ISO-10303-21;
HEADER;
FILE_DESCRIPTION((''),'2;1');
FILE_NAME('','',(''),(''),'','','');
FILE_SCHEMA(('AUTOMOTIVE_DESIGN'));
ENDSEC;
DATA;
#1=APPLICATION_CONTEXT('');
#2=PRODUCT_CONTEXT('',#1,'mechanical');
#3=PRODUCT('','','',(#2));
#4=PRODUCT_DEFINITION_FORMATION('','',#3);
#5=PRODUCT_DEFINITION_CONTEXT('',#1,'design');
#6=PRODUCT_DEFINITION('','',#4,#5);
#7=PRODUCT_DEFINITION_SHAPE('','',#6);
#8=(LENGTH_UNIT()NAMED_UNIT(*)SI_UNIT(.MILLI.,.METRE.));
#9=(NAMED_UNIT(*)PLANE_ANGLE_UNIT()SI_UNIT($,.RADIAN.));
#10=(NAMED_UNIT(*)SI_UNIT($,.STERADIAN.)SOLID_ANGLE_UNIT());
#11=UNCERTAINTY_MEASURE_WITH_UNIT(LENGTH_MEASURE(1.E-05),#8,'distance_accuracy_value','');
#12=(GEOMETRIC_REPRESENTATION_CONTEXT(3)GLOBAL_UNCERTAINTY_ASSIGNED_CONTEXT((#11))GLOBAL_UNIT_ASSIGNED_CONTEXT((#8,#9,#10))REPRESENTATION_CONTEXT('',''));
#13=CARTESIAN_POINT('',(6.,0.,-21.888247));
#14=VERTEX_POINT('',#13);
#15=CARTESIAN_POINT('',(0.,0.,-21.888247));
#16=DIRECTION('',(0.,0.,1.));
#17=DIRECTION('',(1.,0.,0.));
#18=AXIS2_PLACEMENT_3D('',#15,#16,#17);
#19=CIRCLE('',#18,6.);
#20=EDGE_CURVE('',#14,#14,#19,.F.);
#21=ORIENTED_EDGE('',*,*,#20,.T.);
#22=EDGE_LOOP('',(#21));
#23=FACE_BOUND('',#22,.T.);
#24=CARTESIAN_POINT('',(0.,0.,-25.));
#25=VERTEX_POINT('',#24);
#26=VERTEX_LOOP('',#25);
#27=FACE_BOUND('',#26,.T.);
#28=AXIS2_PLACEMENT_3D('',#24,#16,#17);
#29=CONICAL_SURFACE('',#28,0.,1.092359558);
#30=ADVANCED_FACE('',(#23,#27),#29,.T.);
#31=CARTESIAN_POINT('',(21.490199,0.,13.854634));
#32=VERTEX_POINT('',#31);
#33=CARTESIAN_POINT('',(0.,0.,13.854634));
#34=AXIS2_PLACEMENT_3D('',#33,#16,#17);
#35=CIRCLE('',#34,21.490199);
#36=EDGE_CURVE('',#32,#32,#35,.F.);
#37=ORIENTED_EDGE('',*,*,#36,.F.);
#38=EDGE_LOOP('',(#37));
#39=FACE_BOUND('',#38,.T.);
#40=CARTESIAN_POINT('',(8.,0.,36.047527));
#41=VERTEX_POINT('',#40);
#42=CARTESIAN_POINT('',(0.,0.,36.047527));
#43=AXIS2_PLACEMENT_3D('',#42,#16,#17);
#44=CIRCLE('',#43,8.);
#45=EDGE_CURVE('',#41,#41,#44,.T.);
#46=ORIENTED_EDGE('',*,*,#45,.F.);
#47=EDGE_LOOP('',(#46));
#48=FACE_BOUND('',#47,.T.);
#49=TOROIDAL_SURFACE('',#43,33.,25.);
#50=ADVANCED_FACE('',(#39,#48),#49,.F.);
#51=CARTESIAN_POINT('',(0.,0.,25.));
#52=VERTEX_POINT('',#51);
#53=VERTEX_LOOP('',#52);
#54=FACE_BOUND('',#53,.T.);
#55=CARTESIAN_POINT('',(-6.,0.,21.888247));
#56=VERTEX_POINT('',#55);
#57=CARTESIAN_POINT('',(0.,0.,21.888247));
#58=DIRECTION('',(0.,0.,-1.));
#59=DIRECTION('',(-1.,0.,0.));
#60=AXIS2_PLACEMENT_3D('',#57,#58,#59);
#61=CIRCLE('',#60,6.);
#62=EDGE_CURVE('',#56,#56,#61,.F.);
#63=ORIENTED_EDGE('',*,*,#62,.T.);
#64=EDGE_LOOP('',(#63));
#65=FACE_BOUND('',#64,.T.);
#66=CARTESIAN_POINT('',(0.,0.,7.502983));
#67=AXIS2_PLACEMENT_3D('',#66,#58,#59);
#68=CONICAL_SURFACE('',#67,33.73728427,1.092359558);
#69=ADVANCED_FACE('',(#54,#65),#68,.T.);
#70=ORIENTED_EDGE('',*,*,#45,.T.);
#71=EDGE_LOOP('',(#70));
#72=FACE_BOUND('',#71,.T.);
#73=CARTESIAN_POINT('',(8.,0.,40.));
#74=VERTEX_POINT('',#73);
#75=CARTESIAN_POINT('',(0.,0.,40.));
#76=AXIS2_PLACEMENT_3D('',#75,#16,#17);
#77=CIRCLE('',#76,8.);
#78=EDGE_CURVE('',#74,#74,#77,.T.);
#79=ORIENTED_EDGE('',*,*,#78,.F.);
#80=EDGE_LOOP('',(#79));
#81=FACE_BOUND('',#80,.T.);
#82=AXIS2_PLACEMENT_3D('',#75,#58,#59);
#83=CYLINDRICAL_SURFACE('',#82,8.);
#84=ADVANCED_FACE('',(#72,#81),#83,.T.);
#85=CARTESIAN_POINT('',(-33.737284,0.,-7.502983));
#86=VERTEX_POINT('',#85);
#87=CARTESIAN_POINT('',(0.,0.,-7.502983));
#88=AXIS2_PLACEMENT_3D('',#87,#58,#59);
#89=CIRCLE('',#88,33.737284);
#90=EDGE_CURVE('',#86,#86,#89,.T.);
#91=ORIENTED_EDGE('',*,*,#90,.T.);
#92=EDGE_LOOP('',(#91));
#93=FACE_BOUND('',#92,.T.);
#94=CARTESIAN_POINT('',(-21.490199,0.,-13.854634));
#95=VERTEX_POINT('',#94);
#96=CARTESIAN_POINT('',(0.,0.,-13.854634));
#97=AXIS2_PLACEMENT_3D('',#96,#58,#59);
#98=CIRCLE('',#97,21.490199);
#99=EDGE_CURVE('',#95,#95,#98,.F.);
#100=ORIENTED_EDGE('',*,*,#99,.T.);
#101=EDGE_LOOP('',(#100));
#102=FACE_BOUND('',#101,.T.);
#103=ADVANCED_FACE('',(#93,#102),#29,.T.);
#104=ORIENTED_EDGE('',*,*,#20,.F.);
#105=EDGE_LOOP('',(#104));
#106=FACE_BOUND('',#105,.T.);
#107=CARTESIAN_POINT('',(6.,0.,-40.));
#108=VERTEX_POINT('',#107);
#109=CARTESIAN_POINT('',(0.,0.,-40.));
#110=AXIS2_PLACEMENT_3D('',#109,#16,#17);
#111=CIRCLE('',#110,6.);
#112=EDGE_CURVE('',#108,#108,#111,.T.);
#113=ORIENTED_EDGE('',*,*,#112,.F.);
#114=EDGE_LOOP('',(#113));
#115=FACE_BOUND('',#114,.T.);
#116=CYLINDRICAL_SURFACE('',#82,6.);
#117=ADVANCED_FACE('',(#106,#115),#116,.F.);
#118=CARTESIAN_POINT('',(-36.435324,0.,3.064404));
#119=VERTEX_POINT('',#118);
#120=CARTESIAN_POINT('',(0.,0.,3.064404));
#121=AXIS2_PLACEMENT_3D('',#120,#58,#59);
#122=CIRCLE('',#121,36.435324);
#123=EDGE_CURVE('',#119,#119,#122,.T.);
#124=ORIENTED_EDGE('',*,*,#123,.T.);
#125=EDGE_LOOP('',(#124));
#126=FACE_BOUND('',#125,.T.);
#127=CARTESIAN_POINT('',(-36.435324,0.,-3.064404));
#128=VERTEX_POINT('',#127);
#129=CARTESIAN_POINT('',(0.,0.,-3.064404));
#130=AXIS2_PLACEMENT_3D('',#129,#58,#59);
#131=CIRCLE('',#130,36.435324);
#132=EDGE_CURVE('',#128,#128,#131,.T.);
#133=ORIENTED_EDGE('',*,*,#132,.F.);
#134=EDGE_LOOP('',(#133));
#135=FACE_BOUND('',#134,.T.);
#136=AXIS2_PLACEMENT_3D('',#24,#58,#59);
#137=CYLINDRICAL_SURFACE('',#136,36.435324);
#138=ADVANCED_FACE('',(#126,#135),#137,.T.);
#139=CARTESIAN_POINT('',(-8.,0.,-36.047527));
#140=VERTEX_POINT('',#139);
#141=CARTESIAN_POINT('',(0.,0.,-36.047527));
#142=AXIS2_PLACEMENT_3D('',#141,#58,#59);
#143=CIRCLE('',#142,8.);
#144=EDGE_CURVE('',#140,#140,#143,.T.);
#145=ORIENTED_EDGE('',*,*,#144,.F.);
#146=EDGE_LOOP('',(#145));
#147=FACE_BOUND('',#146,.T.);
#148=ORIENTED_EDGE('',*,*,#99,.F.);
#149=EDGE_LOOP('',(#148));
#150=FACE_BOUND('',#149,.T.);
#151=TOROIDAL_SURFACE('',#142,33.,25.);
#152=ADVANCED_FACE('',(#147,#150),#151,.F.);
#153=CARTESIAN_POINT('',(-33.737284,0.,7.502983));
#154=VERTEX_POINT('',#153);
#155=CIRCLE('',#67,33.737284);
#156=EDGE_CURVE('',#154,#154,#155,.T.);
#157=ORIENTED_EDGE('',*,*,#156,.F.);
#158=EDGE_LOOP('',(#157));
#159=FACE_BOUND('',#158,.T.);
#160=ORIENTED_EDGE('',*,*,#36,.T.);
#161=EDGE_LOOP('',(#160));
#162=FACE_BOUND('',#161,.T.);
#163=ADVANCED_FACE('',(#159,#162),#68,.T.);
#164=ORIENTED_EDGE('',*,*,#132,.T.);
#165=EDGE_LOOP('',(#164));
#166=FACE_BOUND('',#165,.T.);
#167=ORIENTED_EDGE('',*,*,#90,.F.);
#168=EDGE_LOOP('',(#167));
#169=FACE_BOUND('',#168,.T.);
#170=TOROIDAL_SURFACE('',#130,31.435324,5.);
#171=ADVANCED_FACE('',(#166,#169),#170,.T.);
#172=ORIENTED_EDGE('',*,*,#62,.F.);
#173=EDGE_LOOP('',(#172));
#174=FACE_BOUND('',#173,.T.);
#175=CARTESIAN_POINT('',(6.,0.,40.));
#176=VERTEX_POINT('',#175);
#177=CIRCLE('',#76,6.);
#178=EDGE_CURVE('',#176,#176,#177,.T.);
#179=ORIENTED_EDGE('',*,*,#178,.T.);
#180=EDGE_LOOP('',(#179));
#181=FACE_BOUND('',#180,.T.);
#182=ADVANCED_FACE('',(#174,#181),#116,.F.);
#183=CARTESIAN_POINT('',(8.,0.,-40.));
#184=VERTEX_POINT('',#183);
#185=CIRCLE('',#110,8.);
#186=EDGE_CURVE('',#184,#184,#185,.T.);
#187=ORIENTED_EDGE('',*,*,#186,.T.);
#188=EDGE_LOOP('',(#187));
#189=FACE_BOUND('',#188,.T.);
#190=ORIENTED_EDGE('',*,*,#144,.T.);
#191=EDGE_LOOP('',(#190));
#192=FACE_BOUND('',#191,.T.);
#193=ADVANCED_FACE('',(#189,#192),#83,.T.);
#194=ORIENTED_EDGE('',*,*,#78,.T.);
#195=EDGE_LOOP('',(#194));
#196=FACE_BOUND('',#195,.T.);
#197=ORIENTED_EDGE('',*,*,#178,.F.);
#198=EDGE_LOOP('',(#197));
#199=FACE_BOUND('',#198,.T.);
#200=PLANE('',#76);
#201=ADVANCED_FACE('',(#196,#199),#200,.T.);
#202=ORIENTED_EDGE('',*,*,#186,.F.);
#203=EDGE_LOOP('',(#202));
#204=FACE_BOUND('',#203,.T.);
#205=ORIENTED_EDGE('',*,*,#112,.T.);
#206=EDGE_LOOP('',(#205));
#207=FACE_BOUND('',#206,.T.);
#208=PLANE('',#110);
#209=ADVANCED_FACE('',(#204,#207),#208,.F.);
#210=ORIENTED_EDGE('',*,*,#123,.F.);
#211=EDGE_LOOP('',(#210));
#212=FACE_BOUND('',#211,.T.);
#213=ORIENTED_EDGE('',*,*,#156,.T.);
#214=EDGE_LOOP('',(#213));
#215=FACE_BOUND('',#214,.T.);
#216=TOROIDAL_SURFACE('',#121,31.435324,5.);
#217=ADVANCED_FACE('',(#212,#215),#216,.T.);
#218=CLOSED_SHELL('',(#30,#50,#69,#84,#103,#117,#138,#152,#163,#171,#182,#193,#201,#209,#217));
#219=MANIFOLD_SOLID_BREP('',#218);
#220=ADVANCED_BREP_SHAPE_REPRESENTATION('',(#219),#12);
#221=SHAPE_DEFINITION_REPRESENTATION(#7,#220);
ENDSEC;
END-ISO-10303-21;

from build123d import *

# Parameters (mm, degrees)
SKETCH1_R           = 8
SKETCH1_R_2         = 6
BOSS_EXTRUDE1_DEPTH = 40
FILLET1_R           = 25


with BuildPart() as part:
    # Sketch1 → Boss-Extrude1 (new, symmetric)
    with BuildSketch(Plane.XY):
        Circle(SKETCH1_R)
        Circle(SKETCH1_R_2, mode=Mode.SUBTRACT)
    extrude(amount=BOSS_EXTRUDE1_DEPTH, both=True)

    # Sketch2 → Revolve1 (revolve)
    with BuildSketch(Plane(origin=(0, 0, 0), x_dir=(0, 0, -1), z_dir=(1, 0, 0)), mode=Mode.PRIVATE) as revolve1_sk:
        with BuildLine():
            Line((-25, 0), (-7.502982863, 33.73728427))
            ThreePointArc((-7.502982863, 33.73728427), (-5.661537285, 35.707899486), (-3.064404332, 36.4353241))
            Line((-3.064404332, 36.4353241), (3.064404332, 36.4353241))
            ThreePointArc((3.064404332, 36.4353241), (5.661537285, 35.707899486), (7.502982863, 33.73728427))
            Line((7.502982863, 33.73728427), (25, 0))
            Line((25, 0), (-25, 0))
        make_face()
    revolve(revolve1_sk.sketch.rotate(Axis((0, 0, -25), (0, 0, 1)), 90), axis=Axis((0, 0, -25), (0, 0, 1)))

    # Fillet1
    fillet1_edges = [part.edges().sort_by_distance(p)[0] for p in [
        (0, 8, -20.850995712),
        (0, 8, 20.850995712),
    ]]
    fillet(fillet1_edges, radius=FILLET1_R)


solid = part.part
